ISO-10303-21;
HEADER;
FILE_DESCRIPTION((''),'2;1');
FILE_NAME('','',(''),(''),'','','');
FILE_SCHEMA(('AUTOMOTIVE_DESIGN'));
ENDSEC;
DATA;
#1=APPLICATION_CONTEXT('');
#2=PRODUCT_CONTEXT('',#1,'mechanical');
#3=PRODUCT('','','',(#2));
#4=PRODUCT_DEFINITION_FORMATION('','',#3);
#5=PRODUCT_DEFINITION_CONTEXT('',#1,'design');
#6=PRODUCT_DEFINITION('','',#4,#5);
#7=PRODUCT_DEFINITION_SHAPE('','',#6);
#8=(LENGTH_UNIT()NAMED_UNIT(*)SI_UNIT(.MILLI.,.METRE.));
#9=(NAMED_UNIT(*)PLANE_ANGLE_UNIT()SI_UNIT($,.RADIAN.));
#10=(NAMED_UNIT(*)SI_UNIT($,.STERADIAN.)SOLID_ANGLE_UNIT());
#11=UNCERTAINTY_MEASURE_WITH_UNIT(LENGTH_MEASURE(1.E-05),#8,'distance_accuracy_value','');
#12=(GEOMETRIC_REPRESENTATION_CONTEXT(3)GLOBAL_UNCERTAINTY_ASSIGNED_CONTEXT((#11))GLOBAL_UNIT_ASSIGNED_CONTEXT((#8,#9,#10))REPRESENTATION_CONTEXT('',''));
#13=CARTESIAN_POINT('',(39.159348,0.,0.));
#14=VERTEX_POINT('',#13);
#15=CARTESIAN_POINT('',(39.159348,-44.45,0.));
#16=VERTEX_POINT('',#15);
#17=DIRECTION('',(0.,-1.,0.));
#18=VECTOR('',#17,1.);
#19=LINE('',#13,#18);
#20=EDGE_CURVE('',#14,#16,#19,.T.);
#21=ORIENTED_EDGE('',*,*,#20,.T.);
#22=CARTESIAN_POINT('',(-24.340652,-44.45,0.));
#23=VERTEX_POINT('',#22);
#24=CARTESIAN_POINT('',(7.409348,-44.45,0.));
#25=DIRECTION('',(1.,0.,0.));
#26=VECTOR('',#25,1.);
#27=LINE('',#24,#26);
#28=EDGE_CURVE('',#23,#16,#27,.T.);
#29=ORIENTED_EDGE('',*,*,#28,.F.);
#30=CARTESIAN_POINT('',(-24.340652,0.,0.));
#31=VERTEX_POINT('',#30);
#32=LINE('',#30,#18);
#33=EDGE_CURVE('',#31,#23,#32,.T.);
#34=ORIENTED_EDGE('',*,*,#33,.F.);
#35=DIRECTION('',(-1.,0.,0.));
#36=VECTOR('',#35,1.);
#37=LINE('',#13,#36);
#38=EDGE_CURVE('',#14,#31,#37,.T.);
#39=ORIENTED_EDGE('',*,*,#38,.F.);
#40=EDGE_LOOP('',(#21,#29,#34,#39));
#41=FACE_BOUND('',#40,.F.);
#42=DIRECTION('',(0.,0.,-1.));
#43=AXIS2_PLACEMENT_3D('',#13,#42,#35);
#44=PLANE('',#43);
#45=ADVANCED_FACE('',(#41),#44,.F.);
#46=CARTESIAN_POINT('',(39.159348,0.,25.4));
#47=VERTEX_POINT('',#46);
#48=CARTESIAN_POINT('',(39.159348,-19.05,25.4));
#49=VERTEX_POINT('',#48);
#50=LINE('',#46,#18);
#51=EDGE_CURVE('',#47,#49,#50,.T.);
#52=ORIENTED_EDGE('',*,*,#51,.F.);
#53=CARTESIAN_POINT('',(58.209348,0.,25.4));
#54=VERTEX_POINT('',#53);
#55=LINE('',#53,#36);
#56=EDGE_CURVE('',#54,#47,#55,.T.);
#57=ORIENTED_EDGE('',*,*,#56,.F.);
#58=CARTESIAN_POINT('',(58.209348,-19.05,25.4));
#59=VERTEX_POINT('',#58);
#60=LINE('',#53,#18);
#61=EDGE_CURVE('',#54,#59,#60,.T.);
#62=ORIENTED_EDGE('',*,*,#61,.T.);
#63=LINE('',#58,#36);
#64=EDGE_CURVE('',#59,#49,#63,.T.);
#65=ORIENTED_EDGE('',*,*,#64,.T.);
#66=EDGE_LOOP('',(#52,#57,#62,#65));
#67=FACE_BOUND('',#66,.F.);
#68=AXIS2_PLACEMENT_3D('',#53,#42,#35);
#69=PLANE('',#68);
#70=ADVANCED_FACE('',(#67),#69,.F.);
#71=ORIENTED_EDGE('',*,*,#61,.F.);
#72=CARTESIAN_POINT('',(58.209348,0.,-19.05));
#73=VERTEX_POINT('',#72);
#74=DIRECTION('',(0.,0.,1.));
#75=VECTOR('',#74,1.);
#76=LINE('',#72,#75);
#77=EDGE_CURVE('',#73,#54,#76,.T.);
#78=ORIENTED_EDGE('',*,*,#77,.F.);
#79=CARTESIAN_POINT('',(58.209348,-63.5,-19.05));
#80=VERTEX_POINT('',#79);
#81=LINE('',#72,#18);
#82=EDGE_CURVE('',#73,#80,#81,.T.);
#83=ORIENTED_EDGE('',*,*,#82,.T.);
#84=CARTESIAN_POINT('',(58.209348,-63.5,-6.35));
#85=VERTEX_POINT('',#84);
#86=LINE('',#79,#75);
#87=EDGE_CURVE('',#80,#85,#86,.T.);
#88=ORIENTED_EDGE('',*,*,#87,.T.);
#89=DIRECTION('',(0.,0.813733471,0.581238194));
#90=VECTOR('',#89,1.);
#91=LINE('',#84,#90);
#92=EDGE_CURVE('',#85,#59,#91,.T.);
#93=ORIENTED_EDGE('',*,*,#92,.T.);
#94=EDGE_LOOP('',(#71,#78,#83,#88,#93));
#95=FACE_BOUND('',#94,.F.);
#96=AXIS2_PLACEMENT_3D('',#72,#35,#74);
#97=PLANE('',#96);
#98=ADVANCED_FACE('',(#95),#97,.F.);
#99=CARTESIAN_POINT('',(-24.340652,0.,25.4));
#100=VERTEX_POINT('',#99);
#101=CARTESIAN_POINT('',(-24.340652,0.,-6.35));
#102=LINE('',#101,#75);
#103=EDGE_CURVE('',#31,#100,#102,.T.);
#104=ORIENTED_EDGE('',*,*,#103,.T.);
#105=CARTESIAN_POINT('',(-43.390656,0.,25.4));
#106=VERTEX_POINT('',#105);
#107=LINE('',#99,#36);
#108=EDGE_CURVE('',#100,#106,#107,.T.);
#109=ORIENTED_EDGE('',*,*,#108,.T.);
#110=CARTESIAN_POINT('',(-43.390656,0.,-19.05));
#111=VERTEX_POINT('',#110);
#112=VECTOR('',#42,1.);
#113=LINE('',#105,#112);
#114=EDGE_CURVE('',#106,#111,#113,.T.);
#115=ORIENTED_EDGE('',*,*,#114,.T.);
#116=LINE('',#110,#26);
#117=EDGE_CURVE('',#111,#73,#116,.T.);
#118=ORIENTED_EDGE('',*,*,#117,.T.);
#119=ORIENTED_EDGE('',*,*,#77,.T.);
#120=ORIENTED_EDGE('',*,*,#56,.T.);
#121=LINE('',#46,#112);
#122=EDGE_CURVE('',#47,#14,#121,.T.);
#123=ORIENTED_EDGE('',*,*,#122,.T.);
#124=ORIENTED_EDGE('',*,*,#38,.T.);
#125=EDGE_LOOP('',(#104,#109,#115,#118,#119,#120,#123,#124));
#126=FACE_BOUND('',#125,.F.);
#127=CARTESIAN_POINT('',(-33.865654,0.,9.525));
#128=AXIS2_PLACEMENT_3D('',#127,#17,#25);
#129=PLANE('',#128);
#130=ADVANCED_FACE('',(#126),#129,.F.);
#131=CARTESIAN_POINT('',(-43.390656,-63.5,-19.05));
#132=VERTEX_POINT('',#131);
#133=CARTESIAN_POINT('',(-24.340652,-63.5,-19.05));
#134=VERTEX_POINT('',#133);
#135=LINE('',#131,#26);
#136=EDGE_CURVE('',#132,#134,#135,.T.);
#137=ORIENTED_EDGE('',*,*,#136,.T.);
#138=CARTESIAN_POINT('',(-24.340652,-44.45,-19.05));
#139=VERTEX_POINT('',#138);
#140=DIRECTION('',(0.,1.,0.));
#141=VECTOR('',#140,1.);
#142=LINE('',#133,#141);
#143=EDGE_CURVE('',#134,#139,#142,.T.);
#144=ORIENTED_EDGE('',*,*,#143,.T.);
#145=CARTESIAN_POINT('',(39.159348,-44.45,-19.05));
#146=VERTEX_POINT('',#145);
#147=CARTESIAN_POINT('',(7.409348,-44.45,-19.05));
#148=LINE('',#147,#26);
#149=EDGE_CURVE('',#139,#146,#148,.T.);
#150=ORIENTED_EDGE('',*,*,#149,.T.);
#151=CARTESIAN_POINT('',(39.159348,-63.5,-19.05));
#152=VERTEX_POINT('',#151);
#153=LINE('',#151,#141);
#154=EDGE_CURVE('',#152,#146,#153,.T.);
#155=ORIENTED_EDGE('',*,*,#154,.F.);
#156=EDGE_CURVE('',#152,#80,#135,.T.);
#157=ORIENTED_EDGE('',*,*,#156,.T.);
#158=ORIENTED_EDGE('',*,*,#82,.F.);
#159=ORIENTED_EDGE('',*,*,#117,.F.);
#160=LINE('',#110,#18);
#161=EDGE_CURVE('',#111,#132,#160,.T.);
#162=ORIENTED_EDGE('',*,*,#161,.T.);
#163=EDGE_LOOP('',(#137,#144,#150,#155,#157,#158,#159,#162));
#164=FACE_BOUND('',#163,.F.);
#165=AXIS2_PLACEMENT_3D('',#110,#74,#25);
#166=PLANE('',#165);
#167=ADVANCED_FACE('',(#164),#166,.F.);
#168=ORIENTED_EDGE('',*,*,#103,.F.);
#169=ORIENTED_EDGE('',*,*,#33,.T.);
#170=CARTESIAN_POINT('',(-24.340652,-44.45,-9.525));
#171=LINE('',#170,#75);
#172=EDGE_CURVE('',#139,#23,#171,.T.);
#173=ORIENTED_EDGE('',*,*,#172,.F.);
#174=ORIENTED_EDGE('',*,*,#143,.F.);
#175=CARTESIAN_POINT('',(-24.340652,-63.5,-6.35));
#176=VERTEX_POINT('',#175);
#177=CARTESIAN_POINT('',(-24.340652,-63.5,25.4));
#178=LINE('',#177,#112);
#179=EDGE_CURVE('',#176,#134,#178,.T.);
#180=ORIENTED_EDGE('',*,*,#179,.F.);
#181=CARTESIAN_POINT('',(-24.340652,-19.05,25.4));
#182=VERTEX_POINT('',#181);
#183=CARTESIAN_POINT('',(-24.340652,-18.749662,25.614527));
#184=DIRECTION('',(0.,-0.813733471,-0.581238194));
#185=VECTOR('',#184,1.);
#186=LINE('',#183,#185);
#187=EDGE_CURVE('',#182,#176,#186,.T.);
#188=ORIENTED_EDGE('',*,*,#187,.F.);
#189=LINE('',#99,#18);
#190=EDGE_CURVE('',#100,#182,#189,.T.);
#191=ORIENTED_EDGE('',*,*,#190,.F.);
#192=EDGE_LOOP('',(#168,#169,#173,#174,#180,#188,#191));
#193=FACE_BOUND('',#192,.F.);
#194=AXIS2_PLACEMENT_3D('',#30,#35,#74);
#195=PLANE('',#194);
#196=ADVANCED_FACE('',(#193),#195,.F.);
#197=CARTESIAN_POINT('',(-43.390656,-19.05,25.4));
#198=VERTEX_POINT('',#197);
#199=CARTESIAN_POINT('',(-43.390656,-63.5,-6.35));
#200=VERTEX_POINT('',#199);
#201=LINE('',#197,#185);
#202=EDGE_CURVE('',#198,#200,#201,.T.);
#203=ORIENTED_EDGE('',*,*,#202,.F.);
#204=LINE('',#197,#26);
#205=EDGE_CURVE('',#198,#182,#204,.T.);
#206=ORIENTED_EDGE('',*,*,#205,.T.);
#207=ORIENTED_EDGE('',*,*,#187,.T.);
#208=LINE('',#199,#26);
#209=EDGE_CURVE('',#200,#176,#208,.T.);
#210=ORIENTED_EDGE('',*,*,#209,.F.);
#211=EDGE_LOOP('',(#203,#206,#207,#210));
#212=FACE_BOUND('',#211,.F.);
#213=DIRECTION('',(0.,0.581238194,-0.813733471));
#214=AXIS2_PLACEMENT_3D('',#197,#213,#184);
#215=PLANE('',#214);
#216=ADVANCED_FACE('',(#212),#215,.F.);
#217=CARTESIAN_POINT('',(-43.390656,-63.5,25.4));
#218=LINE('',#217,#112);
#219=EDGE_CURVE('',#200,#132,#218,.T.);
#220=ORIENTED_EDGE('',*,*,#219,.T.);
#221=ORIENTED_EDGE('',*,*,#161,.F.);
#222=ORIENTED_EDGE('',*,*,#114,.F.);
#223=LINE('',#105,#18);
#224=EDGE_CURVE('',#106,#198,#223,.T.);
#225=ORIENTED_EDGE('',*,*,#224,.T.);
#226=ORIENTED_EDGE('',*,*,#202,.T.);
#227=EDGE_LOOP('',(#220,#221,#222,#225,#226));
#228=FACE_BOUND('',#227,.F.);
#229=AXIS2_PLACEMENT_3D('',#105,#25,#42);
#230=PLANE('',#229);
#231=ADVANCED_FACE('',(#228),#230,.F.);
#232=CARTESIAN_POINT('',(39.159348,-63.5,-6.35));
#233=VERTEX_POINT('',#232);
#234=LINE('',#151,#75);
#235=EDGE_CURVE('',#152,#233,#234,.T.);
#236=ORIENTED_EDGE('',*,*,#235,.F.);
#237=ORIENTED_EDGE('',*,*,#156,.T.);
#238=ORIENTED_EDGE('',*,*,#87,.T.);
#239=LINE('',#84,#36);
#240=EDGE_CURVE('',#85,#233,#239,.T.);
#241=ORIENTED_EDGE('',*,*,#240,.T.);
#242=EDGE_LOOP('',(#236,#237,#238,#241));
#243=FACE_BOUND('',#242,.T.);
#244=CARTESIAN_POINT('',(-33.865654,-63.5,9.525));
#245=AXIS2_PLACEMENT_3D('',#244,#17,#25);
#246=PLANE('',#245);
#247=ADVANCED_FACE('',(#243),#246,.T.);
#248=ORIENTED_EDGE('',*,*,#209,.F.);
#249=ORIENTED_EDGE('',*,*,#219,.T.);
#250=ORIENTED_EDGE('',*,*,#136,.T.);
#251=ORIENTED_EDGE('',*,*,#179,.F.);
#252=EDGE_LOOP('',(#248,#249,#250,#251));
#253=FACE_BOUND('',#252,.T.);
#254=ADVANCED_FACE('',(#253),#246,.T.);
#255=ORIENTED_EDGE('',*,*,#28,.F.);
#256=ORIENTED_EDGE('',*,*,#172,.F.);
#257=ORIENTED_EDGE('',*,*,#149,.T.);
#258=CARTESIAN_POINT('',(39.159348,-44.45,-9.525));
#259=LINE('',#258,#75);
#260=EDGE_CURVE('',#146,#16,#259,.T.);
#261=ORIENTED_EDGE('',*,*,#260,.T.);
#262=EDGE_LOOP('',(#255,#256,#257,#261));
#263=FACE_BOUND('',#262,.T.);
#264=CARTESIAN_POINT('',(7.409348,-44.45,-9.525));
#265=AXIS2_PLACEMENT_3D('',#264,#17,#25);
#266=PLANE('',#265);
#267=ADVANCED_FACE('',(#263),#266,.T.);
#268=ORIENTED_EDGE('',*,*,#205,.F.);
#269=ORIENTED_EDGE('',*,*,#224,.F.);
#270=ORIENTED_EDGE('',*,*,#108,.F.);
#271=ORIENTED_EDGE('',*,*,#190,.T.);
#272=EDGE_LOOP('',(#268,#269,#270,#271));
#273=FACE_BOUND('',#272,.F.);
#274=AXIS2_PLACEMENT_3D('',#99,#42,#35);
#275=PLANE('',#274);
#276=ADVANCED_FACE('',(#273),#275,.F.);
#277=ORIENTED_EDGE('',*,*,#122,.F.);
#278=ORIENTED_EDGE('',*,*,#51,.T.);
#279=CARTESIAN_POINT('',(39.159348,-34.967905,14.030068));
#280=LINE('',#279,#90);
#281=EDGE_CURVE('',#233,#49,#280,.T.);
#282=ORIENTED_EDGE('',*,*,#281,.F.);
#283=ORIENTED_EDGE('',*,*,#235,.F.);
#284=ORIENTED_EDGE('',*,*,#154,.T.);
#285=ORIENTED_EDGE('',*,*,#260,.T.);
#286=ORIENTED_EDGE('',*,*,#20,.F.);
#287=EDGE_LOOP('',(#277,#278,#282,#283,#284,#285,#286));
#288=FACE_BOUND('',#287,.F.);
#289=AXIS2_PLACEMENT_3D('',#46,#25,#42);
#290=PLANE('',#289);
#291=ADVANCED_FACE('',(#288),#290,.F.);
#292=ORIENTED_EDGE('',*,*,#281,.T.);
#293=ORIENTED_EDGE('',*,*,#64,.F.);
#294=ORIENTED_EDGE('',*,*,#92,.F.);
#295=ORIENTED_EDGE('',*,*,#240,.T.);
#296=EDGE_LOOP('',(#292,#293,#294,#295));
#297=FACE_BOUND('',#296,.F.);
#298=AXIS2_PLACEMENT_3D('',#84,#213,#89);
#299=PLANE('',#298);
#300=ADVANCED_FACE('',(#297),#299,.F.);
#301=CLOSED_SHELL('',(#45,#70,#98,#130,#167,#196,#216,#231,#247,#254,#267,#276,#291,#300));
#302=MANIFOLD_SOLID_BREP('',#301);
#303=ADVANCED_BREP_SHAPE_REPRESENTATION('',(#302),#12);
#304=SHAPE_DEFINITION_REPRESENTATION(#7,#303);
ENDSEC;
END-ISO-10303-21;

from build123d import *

# Parameters (mm, degrees)
F0_W     = 19.050004
F0_H     = 12.7
F0_W_2   = 19.05
F1_DEPTH = 63.5
F3_W     = 63.5
F3_H     = 19.05
F4_DEPTH = 19.05
F5_DEPTH = 39.99707
F7_DEPTH = 47.63301


with BuildPart() as f1:
    # F0 (on Front) → F1 (new body)
    with BuildSketch(Plane.XZ):
        Polygon((-24.340652, 0), (-24.340652, 25.4), (-43.390656, 25.4), (-43.390656, -6.35), (-24.340652, -6.35), align=None)
        Polygon((39.159348, 0), (-24.340652, 0), (-24.340652, -6.35), (-24.340652, -19.05), (39.159348, -19.05), (39.159348, -6.35), align=None)
        with Locations((-33.865654, -12.7)):
            Rectangle(F0_W, F0_H)
        Polygon((39.159348, 25.4), (39.159348, 0), (39.159348, -6.35), (58.209348, -6.35), (58.209348, 25.4), align=None)
        with Locations((48.684348, -12.7)):
            Rectangle(F0_W_2, F0_H)
    extrude(amount=F1_DEPTH)

    # F3 (on face) → F4 (cut)
    with BuildSketch(Plane.XZ.offset(63.5)):
        with Locations((7.409348, -9.525)):
            Rectangle(F3_W, F3_H)
    extrude(amount=-F4_DEPTH, mode=Mode.SUBTRACT)

    # F2 (on face) → F5 (cut)
    with BuildSketch(Plane.YZ.offset(58.209348)):
        Polygon((-63.5, 25.4), (-63.5, -6.35), (-19.05, 25.4), align=None)
    extrude(amount=-F5_DEPTH, mode=Mode.SUBTRACT)

    # F6 (on face) → F7 (cut)
    with BuildSketch(Plane(origin=(-43.390656, 0, 0), x_dir=(0, -1, 0), z_dir=(-1, 0, 0))):
        Polygon((19.05, 25.4), (63.5, -6.35), (63.5, 25.4), align=None)
    extrude(amount=-F7_DEPTH, mode=Mode.SUBTRACT)


solid = f1.part
